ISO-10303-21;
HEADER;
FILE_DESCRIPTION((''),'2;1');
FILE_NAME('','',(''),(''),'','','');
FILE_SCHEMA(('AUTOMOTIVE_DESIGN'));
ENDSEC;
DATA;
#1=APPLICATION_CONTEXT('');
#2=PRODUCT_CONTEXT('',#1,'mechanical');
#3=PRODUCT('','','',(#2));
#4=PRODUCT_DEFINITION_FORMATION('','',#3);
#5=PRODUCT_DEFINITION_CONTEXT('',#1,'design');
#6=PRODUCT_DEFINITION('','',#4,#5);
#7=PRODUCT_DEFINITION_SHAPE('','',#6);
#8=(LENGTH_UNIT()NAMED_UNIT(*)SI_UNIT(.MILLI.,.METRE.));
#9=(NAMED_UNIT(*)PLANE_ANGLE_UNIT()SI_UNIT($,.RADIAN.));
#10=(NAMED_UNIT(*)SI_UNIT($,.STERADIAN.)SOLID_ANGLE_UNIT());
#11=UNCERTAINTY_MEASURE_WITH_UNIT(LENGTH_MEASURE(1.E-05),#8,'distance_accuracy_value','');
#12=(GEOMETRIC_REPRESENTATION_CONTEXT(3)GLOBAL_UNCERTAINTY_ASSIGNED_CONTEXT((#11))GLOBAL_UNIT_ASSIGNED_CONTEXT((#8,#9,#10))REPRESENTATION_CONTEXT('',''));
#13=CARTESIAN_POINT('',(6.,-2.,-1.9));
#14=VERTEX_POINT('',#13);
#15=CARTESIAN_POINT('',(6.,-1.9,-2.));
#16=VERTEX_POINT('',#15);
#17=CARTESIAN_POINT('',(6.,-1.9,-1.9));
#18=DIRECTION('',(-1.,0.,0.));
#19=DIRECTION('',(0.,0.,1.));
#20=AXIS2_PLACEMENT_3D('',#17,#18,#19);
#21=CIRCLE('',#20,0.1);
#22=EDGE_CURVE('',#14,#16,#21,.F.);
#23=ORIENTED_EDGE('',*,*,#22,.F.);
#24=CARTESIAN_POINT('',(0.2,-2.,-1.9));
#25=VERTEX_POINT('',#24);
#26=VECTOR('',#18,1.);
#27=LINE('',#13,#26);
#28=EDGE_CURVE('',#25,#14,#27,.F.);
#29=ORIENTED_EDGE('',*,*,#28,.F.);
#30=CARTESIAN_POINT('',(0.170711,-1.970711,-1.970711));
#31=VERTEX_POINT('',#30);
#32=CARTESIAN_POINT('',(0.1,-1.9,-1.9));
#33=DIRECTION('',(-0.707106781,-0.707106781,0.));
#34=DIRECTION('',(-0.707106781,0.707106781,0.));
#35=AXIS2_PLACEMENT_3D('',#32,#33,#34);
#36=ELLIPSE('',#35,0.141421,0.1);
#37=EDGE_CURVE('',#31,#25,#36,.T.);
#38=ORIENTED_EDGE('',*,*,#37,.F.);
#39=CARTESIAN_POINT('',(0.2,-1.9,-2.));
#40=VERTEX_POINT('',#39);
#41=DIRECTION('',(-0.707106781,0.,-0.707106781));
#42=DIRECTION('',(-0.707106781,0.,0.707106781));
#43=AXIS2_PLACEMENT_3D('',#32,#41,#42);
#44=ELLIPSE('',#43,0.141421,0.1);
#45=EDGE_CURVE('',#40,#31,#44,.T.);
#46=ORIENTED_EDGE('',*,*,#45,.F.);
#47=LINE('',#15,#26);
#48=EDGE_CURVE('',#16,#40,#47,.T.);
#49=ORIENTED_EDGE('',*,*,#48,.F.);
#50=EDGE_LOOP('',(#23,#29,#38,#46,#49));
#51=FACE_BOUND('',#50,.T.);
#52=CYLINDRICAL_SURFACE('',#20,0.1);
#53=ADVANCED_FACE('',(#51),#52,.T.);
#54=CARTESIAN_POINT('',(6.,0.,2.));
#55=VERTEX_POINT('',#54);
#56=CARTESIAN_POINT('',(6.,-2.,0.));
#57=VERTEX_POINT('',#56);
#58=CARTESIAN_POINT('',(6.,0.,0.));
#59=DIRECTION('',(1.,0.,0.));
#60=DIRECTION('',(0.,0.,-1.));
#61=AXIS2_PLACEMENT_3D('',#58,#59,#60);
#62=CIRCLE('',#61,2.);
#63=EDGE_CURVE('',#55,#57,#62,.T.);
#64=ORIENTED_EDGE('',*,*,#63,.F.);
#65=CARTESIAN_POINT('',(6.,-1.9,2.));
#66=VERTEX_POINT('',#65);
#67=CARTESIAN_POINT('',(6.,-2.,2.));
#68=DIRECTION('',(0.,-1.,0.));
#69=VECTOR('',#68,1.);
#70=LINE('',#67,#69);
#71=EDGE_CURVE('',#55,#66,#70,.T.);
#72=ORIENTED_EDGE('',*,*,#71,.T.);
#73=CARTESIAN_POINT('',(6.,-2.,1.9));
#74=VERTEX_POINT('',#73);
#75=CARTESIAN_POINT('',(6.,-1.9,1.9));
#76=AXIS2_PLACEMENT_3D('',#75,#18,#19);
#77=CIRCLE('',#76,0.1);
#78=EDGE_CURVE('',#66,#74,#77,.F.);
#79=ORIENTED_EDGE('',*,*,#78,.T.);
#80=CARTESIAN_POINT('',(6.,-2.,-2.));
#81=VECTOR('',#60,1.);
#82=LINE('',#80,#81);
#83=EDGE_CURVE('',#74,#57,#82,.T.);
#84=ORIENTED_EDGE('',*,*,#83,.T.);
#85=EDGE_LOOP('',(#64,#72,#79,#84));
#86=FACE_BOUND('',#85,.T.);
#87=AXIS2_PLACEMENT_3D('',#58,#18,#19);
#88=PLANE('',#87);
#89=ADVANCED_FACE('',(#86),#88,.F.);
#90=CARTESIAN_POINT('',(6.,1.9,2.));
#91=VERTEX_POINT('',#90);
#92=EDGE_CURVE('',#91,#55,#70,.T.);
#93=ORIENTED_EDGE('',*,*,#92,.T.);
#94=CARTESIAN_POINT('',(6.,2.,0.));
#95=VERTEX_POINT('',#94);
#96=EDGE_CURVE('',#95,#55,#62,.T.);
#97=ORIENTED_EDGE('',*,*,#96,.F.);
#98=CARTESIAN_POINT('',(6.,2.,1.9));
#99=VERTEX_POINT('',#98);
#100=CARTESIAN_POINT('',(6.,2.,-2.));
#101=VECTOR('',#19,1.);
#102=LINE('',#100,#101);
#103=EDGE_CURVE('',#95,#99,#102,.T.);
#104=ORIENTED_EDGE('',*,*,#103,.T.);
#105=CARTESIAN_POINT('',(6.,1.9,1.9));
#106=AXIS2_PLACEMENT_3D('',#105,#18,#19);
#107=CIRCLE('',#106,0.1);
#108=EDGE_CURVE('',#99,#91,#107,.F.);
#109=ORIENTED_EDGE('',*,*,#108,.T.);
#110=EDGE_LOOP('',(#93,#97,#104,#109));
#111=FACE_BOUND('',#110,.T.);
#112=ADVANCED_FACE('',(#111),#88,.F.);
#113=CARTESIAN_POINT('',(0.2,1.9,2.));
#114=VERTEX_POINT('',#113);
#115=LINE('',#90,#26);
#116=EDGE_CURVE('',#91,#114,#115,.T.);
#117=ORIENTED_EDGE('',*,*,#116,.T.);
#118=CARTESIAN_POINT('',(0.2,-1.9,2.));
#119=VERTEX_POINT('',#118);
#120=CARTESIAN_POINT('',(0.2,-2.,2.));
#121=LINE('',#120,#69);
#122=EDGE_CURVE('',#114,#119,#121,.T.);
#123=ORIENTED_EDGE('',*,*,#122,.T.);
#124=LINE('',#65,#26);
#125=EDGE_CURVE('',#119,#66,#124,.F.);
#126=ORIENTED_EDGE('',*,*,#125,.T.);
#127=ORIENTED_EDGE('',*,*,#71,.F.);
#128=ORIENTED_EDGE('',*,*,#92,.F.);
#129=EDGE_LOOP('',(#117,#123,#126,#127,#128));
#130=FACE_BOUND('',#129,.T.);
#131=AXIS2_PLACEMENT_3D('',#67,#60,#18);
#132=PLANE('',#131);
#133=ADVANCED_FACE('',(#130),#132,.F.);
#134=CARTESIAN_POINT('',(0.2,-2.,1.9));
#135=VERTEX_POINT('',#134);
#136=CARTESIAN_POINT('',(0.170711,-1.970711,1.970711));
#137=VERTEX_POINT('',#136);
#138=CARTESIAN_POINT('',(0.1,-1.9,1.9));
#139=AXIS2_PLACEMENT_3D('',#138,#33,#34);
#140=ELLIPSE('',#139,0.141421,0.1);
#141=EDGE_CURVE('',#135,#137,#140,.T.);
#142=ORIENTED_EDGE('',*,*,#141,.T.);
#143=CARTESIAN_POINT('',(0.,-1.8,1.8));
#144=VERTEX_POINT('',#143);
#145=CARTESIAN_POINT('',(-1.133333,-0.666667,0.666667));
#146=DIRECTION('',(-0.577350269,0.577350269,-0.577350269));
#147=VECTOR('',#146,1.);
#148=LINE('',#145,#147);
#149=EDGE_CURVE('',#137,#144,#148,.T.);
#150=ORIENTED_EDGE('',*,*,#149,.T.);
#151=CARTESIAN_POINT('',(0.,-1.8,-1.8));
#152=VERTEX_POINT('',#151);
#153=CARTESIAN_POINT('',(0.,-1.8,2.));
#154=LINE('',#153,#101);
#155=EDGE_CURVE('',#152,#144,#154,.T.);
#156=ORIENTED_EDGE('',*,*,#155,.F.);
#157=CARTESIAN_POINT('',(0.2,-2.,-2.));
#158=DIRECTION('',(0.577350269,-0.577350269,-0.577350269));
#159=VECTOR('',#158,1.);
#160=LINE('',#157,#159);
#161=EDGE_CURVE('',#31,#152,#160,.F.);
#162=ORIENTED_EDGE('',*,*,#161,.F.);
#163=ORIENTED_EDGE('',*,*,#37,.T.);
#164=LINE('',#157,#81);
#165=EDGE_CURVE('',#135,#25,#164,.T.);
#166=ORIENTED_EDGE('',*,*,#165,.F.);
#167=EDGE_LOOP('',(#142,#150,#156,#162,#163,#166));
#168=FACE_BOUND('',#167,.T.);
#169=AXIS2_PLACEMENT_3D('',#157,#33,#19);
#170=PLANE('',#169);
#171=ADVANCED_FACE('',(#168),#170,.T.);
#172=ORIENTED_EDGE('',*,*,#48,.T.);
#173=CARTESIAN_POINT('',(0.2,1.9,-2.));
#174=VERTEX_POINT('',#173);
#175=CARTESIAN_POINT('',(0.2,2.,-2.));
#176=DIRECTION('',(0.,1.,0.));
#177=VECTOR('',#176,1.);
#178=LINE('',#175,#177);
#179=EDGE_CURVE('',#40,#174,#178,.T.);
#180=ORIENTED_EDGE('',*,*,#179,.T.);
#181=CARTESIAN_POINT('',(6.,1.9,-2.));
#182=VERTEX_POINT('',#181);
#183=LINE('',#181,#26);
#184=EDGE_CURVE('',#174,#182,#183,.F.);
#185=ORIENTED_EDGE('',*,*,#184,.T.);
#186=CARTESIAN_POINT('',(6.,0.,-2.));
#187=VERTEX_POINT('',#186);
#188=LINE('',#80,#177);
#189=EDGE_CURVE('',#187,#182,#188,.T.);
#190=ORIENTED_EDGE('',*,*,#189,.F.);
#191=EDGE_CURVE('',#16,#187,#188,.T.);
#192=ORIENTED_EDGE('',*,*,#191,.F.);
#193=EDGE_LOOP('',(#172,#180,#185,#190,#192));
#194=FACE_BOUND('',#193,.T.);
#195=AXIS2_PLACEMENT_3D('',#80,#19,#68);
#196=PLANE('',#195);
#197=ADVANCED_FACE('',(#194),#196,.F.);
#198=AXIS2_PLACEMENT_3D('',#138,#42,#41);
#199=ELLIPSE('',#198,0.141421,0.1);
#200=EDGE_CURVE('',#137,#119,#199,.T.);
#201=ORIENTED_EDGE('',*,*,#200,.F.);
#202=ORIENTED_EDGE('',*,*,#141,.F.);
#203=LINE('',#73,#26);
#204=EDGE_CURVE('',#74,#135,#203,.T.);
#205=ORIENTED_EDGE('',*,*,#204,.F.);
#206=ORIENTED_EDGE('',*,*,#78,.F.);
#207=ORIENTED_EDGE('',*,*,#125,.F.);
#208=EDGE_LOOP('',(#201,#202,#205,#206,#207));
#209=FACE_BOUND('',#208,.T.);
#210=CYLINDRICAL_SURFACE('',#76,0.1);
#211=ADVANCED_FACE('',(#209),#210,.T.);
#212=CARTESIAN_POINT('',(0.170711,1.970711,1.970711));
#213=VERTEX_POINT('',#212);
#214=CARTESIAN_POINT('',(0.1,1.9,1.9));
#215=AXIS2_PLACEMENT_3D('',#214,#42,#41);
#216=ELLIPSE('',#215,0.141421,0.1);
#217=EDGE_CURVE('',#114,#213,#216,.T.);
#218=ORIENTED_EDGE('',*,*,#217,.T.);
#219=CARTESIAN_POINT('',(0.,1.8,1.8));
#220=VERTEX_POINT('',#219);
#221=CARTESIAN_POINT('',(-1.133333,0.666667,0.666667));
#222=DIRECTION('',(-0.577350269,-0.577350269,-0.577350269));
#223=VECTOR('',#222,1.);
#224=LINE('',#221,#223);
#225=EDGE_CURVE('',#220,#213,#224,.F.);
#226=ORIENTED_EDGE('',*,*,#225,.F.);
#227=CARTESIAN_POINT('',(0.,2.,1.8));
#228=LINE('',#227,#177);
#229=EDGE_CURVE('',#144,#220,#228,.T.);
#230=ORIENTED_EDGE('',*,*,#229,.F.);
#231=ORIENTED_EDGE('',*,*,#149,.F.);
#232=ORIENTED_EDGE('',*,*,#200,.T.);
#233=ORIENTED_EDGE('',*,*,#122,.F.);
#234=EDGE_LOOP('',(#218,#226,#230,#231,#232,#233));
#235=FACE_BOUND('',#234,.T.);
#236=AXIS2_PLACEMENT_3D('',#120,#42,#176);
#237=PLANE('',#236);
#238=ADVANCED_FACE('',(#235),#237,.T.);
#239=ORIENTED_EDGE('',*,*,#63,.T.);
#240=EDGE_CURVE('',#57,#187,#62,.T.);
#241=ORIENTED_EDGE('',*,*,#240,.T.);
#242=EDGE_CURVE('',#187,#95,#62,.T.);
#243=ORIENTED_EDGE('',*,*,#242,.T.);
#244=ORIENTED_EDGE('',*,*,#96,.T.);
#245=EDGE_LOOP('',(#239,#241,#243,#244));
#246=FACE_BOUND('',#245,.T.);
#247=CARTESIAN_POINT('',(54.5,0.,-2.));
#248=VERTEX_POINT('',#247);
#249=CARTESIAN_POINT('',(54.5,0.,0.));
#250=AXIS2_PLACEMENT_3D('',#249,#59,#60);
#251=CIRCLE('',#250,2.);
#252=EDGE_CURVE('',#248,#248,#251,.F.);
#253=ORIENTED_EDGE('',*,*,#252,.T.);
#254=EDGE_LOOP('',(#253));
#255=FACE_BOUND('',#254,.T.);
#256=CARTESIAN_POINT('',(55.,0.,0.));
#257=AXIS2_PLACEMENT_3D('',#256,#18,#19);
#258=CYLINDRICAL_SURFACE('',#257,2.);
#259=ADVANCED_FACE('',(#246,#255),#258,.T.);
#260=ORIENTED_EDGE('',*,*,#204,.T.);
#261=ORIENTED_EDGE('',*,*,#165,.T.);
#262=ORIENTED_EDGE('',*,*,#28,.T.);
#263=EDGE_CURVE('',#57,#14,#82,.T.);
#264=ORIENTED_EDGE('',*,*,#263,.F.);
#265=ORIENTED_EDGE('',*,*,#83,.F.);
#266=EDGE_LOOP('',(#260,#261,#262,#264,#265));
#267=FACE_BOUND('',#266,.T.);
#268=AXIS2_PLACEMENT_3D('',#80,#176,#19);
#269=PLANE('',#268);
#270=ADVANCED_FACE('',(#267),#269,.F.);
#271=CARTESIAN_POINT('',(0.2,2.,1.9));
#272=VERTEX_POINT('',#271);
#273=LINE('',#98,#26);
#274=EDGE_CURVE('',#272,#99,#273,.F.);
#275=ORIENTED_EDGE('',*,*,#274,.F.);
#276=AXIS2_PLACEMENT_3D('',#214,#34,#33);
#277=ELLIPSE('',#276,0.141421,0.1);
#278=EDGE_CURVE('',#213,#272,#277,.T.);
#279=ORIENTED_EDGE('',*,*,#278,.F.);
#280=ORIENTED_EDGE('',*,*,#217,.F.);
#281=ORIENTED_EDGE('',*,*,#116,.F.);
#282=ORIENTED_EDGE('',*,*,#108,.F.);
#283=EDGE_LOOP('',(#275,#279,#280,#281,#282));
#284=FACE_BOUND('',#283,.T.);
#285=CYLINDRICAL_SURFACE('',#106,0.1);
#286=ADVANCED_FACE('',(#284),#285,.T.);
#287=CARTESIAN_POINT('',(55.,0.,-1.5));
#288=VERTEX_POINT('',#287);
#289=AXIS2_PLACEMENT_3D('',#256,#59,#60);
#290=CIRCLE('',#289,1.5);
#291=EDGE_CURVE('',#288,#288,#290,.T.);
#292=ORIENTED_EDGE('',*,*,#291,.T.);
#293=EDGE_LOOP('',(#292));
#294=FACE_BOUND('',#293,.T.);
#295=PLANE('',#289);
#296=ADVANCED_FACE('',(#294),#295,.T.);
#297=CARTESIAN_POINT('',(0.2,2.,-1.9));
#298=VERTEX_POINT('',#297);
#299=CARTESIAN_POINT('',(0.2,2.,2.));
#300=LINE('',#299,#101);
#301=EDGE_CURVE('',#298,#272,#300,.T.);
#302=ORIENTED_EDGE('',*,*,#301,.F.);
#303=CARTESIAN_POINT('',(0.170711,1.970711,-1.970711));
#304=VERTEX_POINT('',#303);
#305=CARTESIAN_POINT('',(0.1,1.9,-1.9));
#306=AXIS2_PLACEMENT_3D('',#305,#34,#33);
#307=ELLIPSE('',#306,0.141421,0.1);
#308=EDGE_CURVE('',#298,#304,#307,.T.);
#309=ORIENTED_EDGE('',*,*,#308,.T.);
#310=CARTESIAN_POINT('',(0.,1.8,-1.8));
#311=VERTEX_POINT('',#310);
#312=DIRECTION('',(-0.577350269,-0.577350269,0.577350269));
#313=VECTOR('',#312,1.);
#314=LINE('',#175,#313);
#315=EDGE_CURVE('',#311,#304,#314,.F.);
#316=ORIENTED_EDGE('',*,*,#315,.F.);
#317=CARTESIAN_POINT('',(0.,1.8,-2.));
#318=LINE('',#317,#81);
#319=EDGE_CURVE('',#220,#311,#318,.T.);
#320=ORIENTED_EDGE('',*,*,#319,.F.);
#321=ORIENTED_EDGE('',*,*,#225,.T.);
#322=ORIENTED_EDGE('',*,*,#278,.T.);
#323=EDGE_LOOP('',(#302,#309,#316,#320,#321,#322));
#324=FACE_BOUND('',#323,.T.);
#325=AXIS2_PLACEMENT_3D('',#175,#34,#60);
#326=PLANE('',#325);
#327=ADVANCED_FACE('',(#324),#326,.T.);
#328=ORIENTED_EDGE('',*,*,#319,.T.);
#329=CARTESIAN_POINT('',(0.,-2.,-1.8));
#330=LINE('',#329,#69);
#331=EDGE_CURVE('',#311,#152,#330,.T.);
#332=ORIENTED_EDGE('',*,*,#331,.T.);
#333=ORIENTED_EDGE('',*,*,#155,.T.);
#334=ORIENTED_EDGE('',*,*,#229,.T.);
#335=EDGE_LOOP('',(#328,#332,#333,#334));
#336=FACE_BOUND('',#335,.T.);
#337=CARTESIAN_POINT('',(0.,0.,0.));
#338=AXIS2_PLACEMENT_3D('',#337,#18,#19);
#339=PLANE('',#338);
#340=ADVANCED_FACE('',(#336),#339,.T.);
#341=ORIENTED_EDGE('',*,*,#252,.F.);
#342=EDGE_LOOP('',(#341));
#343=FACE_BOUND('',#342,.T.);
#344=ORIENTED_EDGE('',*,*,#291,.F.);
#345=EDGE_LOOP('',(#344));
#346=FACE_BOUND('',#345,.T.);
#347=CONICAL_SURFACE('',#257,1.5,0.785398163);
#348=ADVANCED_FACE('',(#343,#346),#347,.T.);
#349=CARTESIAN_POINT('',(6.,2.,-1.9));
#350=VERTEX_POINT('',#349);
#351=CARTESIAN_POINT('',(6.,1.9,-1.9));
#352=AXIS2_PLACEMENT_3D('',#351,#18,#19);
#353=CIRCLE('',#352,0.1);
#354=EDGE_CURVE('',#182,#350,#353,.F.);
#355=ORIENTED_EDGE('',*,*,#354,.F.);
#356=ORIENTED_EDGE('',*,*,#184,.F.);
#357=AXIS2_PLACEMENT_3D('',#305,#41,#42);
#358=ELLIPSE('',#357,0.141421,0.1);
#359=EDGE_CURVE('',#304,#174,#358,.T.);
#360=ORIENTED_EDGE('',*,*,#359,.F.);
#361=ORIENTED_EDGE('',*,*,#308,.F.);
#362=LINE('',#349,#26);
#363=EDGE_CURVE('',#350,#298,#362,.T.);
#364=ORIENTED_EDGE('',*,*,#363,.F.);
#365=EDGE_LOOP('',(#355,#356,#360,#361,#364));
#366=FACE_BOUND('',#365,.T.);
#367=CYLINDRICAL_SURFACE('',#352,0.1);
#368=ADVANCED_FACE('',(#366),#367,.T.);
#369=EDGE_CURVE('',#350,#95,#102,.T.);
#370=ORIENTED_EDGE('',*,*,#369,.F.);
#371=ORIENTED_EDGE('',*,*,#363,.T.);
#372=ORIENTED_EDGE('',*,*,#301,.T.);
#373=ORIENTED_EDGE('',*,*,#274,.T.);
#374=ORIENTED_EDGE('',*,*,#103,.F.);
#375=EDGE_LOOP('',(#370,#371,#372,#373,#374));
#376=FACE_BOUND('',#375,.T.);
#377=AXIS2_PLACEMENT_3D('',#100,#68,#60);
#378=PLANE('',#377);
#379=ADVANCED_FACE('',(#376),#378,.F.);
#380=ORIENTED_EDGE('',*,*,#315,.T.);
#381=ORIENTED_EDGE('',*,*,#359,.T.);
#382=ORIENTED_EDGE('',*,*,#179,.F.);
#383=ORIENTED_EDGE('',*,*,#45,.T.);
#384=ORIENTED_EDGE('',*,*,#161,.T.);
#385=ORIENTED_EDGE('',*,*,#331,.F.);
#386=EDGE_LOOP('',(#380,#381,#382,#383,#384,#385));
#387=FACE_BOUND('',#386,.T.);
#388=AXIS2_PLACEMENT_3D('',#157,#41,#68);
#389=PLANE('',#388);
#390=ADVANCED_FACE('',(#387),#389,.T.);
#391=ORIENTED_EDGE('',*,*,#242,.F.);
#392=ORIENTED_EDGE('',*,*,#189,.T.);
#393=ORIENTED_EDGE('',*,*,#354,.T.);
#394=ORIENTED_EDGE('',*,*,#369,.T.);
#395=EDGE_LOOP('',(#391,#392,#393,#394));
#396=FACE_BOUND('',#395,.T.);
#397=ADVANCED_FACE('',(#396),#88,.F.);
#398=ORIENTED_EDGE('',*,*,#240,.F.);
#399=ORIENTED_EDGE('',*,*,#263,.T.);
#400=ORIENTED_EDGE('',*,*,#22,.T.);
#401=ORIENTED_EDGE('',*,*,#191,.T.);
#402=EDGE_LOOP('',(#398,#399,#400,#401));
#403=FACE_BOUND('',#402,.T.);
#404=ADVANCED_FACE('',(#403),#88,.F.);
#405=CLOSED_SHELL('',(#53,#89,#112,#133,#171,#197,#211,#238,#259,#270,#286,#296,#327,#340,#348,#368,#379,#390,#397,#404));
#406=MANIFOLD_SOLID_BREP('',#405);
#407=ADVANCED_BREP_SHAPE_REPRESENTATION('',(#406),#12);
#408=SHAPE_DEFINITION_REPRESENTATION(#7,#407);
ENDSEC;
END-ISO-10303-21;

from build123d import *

# Parameters (mm, degrees)
SKETCH_1_W      = 4
SKETCH_1_H      = 4
EXTRUDE_1_DEPTH = 6
SKETCH_2_R      = 2
EXTRUDE_2_DEPTH = 49
CHAMFER_1_SIZE  = 0.5
CHAMFER_2_SIZE  = 0.2
FILLET_1_R      = 0.1


with BuildPart() as part:
    # 草图1 → 凸台-拉伸1 (new body)
    with BuildSketch(Plane(origin=(0, 0, 0), x_dir=(0, 0, -1), z_dir=(1, 0, 0))):
        Rectangle(SKETCH_1_W, SKETCH_1_H)
    extrude(amount=EXTRUDE_1_DEPTH)

    # 草图2 → 凸台-拉伸2 (add)
    with BuildSketch(Plane(origin=(6, 0, 0), x_dir=(0, 0, -1), z_dir=(1, 0, 0))):
        Circle(SKETCH_2_R)
    extrude(amount=EXTRUDE_2_DEPTH)

    # 倒角1
    chamfer_1_edges = [part.edges().sort_by_distance(p)[0] for p in [
        (55, 0, 2),
    ]]
    chamfer(chamfer_1_edges, length=CHAMFER_1_SIZE)

    # 倒角2
    chamfer_2_edges = [part.edges().sort_by_distance(p)[0] for p in [
        (0, 0, 2),
        (0, 2, 0),
        (0, 0, -2),
        (0, -2, 0),
    ]]
    chamfer(chamfer_2_edges, length=CHAMFER_2_SIZE)

    # 圆角1
    fillet_1_edges = [part.edges().sort_by_distance(p)[0] for p in [
        (3.1, -2, 2),
        (3.1, 2, 2),
        (3.1, 2, -2),
        (3.1, -2, -2),
    ]]
    fillet(fillet_1_edges, radius=FILLET_1_R)


solid = part.part
